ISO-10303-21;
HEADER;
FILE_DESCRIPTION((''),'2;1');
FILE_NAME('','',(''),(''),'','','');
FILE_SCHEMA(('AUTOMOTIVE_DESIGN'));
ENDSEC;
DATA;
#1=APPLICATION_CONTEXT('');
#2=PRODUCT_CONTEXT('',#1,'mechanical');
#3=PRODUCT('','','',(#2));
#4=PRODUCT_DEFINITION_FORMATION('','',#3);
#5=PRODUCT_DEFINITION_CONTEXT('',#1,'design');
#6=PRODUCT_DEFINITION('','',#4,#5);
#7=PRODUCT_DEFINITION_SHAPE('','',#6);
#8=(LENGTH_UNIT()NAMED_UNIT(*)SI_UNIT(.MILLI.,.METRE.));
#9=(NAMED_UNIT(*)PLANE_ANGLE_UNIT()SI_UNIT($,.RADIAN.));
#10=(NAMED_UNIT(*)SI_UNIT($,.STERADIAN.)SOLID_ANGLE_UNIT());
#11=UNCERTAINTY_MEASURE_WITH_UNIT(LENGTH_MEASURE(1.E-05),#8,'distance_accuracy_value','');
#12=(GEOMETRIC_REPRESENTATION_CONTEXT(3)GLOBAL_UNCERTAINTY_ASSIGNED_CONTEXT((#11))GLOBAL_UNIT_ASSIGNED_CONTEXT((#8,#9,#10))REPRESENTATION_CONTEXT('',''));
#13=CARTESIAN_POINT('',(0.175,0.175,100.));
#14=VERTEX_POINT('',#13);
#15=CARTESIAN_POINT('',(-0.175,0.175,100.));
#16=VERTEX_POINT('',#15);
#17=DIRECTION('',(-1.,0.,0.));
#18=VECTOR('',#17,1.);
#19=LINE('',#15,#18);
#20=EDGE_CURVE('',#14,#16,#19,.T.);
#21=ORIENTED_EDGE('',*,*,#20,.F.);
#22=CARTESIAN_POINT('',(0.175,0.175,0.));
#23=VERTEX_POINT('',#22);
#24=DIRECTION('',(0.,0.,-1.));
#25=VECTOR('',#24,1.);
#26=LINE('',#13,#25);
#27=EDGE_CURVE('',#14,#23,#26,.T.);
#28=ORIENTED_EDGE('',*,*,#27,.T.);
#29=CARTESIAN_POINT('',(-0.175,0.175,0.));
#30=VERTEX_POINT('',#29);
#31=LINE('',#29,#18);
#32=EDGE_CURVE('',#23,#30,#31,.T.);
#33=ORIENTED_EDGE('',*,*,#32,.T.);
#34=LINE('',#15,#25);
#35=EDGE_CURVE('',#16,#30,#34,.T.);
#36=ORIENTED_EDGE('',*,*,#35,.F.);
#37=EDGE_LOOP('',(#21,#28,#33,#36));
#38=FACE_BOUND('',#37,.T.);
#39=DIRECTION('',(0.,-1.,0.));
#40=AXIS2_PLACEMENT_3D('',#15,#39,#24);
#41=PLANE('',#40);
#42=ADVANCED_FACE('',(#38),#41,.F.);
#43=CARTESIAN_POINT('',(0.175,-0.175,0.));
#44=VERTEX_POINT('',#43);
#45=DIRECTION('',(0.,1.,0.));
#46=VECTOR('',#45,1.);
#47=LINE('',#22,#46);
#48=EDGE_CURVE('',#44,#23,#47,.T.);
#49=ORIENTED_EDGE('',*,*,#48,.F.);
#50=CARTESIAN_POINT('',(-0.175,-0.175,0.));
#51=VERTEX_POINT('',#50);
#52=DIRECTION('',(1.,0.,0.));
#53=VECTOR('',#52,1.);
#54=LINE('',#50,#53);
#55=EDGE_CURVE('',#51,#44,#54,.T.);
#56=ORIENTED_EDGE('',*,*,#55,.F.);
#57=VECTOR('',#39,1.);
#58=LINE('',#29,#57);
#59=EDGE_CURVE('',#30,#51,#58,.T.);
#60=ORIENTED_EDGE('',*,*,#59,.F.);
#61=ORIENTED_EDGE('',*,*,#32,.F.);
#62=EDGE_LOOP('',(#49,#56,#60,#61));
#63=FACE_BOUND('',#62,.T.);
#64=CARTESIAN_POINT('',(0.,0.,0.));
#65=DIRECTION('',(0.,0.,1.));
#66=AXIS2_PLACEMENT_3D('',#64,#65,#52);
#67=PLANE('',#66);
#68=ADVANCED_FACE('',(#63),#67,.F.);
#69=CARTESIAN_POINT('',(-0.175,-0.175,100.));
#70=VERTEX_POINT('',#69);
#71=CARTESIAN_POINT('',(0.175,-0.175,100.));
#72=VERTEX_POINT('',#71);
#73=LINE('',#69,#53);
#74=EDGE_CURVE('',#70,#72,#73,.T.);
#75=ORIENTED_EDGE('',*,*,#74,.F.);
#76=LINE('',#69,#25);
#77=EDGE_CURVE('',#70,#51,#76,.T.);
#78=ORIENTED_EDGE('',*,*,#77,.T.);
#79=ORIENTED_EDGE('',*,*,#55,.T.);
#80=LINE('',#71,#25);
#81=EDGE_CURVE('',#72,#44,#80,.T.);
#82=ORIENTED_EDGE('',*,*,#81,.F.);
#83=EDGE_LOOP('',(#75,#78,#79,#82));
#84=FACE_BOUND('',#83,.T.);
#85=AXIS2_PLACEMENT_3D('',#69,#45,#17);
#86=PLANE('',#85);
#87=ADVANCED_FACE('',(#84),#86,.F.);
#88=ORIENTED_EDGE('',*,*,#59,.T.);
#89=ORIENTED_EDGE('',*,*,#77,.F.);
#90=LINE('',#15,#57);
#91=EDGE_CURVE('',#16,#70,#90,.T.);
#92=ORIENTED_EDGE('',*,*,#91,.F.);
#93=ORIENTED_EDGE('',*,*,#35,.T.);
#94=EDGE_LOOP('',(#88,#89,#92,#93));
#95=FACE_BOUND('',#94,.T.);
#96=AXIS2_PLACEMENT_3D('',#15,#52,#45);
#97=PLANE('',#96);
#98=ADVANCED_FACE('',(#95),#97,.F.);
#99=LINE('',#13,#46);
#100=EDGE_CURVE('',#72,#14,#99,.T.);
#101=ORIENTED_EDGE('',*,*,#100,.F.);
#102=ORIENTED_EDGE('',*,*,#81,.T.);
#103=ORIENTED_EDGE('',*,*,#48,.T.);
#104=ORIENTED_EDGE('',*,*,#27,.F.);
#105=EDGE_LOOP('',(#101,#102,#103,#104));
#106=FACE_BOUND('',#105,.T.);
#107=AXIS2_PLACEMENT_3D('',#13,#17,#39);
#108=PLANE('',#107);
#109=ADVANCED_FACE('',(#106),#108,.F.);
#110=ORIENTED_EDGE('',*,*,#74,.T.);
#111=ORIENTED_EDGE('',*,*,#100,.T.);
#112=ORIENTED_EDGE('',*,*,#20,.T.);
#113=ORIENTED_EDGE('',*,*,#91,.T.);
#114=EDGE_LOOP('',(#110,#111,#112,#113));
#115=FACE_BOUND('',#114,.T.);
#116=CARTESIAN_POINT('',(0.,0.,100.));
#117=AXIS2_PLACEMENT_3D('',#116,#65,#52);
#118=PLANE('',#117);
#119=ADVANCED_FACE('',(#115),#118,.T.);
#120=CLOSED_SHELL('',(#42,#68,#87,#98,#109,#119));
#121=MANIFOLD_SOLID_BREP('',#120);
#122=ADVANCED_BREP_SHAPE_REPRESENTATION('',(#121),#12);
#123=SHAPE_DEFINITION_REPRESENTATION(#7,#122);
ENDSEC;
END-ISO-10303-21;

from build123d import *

# Parameters (mm, degrees)
ESBO_O1_W                = 0.35
ESBO_O1_H                = 0.35
RESSALTO_EXTRUS_O1_DEPTH = 100


with BuildPart() as part:
    # Esboço1 → Ressalto-extrusão1 (new body)
    with BuildSketch(Plane.XY):
        Rectangle(ESBO_O1_W, ESBO_O1_H)
    extrude(amount=RESSALTO_EXTRUS_O1_DEPTH)


solid = part.part
